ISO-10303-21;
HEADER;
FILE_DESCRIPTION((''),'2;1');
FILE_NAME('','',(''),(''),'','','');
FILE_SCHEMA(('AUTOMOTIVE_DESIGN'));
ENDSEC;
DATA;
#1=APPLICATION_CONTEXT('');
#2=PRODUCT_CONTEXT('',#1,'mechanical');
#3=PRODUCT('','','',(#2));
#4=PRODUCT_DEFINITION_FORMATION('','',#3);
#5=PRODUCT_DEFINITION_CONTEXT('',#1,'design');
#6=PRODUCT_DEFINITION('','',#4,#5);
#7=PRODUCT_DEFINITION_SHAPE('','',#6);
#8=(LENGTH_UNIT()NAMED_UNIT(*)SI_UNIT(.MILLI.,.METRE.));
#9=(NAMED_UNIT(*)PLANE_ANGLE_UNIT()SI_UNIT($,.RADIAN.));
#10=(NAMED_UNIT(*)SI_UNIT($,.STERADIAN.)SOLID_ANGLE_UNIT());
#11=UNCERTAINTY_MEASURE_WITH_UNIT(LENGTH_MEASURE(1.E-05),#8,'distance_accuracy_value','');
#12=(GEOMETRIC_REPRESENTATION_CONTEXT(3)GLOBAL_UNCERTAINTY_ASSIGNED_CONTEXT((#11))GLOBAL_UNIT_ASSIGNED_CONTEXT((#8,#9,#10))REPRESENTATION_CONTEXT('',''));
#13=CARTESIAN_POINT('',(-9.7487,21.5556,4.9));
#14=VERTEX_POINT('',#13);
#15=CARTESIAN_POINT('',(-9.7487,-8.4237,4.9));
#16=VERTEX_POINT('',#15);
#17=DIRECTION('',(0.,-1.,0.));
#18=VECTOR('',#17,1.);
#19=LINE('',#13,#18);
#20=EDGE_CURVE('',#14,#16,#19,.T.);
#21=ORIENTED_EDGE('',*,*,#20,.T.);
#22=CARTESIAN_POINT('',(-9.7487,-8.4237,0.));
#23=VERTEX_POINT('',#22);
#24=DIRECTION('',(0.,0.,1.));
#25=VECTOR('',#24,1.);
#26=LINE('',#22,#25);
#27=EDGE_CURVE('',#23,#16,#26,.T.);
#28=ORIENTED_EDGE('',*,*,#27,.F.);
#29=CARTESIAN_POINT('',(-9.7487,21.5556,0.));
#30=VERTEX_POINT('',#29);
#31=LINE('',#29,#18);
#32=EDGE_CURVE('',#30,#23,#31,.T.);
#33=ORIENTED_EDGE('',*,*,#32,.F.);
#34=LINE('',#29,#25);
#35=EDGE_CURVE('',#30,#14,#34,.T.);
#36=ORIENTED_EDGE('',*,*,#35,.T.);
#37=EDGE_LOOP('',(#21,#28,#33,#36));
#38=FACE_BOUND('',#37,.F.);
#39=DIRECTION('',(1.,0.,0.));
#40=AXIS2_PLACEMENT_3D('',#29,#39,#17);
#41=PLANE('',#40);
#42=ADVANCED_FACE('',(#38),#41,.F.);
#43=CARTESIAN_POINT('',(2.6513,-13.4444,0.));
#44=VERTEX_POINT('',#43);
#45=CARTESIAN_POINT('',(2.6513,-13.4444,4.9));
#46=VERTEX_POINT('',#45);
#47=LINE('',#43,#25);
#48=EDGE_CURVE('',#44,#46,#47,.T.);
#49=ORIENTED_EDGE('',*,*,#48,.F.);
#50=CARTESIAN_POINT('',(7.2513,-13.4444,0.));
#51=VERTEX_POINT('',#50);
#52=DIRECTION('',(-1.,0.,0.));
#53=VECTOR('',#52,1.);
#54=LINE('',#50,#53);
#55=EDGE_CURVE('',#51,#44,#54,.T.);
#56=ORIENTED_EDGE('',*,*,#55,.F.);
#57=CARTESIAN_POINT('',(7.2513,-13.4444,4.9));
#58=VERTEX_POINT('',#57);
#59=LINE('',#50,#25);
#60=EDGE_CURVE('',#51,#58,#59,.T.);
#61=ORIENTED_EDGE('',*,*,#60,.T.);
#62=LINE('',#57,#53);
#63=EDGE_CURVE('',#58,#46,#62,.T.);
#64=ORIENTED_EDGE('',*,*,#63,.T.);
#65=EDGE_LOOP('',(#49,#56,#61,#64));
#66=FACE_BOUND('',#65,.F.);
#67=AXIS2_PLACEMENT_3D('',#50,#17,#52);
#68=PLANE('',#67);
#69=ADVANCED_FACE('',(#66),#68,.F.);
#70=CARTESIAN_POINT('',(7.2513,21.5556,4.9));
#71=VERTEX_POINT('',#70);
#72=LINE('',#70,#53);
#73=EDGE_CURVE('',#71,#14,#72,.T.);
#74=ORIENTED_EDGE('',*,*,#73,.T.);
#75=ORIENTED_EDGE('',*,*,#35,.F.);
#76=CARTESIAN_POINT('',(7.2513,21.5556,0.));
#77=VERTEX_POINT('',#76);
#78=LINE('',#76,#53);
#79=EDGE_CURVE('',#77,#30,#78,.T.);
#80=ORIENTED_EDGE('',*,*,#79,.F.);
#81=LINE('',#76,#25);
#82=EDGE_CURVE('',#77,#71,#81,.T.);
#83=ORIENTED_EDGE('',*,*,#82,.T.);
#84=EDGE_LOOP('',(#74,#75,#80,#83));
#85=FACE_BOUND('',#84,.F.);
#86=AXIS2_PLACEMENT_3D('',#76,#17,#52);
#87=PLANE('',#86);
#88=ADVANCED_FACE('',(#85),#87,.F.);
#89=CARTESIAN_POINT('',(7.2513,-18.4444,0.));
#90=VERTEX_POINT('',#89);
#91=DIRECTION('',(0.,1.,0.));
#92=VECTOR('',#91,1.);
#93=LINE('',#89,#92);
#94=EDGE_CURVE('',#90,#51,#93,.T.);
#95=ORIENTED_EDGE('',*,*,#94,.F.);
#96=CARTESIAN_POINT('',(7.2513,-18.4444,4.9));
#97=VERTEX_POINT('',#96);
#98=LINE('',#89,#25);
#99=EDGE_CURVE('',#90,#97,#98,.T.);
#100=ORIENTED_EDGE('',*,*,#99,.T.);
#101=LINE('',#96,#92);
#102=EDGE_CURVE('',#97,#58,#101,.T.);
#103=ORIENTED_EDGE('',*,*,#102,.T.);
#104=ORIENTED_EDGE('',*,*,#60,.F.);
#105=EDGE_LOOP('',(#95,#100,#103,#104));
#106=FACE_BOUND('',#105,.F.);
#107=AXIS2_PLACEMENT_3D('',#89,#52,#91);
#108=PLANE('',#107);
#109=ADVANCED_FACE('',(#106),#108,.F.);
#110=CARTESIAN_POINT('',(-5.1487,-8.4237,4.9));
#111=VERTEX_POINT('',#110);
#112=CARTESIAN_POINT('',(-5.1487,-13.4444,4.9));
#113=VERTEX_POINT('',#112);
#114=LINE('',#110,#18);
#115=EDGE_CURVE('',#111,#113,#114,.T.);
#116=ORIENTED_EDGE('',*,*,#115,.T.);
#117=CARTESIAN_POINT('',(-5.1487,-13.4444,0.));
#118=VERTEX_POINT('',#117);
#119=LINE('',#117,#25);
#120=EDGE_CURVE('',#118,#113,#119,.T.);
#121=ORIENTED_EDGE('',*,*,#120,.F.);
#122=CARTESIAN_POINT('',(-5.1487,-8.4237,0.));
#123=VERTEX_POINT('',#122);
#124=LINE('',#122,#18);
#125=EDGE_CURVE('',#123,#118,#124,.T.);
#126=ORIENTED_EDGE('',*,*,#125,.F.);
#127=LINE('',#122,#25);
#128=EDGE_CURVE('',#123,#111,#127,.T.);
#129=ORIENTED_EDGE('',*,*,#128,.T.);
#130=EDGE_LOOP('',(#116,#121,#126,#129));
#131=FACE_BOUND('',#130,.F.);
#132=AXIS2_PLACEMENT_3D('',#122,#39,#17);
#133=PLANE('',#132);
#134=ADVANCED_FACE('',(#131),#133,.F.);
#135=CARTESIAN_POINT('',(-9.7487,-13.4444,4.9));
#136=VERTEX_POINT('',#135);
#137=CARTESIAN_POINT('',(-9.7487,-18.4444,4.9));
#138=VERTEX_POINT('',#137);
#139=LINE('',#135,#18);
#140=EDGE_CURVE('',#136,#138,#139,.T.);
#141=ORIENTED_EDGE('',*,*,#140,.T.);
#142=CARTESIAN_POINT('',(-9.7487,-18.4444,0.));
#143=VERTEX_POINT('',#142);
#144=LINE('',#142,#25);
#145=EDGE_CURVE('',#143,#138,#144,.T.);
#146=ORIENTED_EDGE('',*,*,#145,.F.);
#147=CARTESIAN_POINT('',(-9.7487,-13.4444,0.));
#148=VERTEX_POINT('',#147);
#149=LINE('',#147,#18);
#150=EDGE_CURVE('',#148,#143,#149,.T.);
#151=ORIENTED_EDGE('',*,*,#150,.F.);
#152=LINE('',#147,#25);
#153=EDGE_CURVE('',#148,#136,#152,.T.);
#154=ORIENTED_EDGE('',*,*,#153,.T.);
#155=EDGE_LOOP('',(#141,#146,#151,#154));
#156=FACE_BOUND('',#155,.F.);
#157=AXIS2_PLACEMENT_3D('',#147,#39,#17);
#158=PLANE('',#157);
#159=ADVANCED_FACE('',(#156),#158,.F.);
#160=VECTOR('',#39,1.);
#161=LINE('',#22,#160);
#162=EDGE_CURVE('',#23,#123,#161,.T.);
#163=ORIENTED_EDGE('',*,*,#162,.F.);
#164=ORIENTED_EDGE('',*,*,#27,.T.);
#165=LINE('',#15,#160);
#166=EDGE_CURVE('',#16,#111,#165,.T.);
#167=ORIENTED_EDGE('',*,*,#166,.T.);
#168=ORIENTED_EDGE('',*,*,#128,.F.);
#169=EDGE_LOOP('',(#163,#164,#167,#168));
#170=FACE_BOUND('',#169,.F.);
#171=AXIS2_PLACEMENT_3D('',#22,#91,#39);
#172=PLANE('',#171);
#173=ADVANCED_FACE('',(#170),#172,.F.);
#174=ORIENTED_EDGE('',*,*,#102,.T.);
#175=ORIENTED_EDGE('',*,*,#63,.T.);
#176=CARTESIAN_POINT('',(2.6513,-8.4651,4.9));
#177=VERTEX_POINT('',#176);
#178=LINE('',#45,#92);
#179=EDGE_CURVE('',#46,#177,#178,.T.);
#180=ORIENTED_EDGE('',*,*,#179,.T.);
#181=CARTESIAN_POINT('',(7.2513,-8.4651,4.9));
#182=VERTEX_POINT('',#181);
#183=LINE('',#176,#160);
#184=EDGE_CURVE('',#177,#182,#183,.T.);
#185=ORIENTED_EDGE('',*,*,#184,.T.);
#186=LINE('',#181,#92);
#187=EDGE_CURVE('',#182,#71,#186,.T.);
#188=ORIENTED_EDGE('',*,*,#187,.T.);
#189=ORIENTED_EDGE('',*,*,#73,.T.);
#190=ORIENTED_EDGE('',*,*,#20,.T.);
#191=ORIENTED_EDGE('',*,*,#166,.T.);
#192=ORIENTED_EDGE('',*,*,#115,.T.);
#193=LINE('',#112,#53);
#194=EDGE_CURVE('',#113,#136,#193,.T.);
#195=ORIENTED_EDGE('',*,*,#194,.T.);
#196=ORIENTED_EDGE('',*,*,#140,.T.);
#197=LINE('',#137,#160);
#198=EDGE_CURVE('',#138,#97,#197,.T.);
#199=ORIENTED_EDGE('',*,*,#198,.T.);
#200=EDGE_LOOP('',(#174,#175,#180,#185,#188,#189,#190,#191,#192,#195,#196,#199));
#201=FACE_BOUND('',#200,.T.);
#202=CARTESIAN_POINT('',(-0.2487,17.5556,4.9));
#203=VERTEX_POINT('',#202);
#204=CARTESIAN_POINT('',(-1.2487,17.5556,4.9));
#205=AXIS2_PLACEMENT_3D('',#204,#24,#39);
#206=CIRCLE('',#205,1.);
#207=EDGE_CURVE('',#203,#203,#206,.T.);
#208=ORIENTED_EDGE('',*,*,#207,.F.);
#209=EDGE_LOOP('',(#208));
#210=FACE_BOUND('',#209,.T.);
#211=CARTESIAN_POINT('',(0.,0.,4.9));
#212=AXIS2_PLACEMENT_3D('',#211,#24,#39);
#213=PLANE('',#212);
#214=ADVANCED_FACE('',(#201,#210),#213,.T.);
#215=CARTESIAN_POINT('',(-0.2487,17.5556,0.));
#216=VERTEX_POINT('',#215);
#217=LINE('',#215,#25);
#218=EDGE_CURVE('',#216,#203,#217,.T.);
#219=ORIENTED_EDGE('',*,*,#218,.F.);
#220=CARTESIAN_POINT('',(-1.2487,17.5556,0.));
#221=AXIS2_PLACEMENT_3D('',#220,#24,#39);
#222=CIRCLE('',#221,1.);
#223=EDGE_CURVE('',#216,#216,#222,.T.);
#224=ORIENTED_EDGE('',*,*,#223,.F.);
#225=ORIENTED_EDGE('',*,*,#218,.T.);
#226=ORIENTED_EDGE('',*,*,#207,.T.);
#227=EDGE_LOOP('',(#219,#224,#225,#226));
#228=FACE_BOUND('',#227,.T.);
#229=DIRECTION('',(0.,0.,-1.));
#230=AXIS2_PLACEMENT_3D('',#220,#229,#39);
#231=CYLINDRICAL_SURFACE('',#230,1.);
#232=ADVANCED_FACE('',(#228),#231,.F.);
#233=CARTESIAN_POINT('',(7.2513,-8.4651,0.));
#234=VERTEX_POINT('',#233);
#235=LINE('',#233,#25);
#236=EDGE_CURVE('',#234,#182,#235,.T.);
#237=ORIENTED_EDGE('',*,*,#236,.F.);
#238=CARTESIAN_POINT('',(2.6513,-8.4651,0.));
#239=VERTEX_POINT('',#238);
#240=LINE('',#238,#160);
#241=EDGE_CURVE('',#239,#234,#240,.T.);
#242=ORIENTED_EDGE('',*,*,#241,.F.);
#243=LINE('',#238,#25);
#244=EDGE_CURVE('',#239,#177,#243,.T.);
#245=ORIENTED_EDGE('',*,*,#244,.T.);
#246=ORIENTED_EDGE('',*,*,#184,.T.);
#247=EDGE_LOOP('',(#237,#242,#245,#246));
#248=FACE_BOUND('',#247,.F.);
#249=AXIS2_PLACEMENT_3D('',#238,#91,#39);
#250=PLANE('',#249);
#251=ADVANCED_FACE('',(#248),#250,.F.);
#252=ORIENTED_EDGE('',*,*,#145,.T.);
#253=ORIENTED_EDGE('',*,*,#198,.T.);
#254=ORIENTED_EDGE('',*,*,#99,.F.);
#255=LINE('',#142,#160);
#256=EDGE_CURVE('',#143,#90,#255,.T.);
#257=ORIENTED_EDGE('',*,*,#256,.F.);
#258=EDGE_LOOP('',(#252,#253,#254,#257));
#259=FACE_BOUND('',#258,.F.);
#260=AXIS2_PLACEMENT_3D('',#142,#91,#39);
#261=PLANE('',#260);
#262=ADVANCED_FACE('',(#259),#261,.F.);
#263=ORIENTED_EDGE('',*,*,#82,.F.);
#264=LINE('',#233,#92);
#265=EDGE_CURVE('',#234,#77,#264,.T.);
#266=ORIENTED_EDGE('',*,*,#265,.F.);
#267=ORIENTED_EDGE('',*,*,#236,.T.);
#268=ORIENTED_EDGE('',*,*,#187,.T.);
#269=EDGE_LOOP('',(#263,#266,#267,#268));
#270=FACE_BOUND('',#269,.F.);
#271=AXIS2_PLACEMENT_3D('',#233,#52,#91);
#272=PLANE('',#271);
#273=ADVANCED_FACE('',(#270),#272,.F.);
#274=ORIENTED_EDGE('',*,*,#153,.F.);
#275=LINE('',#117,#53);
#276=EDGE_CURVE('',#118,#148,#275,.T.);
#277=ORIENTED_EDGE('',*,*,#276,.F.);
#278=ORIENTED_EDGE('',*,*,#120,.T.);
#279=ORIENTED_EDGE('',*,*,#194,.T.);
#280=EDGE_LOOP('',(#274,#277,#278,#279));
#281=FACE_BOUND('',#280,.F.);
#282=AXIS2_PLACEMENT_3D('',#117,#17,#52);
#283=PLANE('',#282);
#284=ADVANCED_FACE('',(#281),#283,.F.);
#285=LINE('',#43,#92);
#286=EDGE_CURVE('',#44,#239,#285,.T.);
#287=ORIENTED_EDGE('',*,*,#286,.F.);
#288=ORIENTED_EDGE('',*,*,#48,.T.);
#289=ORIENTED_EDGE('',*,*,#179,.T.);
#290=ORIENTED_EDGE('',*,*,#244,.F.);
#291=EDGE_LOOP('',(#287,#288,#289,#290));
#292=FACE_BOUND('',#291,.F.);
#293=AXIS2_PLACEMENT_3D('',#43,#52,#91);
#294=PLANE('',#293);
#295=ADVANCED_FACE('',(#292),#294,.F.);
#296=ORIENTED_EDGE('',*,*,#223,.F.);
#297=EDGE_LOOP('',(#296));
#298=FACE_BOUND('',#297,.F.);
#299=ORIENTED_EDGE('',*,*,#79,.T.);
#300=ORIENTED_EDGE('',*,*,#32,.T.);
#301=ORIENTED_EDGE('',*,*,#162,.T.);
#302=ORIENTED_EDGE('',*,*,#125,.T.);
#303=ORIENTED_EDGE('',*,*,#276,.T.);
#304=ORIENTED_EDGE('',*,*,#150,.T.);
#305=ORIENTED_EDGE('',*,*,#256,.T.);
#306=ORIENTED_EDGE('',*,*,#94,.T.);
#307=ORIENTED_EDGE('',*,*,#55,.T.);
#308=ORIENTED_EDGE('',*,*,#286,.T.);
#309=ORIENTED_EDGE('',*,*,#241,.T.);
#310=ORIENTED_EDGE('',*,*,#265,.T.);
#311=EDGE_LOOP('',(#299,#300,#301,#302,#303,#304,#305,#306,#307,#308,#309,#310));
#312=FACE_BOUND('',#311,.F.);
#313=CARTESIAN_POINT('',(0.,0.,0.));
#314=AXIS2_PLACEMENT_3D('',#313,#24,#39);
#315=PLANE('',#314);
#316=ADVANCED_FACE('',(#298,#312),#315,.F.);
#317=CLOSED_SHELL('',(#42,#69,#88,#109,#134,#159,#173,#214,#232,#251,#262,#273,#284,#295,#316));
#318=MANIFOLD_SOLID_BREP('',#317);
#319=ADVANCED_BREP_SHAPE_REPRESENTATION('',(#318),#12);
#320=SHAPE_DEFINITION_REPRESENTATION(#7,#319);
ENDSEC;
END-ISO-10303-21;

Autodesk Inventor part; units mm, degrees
ref_plane "YZ Plane" through (0, 0, 0) normal (1, 0, 0) x (0, 1, 0)
ref_plane "XZ Plane" through (0, 0, 0) normal (0, 1, 0) x (-1, 0, 0)
ref_plane "XY Plane" through (0, 0, 0) normal (0, 0, 1) x (1, 0, 0)
sketch "Эскиз1" plane through (0, 0, 0) normal (0, 0, 1) x (1, 0, 0)
  line L0 (-5.1487, -13.4444) -> (-9.7487, -13.4444)
  line L1 (-9.7487, -13.4444) -> (-9.7487, -18.4444)
  line L2 (-9.7487, -18.4444) -> (7.2513, -18.4444)
  line L3 (7.2513, -18.4444) -> (7.2513, -13.4444)
  line L4 (7.2513, -13.4444) -> (2.6513, -13.4444)
  line L5 (2.6513, -13.4444) -> (2.6513, -8.4651)
  line L6 (2.6513, -8.4651) -> (7.2513, -8.4651)
  line L7 (7.2513, -8.4651) -> (7.2513, 21.5556)
  line L8 (7.2513, 21.5556) -> (-9.7487, 21.5556)
  line L9 (-9.7487, 21.5556) -> (-9.7487, -8.4237)
  line L10 (-9.7487, -8.4237) -> (-5.1487, -8.4237)
  line L11 (-5.1487, -8.4237) -> (-5.1487, -13.4444)
  circle A0 centre (-1.2487, 17.5556) radius 1
extrude "Выдавливание1" add sketch "Эскиз1" along normal blind 4.9
properties part number "В. шарн. - держатель смартфона"
